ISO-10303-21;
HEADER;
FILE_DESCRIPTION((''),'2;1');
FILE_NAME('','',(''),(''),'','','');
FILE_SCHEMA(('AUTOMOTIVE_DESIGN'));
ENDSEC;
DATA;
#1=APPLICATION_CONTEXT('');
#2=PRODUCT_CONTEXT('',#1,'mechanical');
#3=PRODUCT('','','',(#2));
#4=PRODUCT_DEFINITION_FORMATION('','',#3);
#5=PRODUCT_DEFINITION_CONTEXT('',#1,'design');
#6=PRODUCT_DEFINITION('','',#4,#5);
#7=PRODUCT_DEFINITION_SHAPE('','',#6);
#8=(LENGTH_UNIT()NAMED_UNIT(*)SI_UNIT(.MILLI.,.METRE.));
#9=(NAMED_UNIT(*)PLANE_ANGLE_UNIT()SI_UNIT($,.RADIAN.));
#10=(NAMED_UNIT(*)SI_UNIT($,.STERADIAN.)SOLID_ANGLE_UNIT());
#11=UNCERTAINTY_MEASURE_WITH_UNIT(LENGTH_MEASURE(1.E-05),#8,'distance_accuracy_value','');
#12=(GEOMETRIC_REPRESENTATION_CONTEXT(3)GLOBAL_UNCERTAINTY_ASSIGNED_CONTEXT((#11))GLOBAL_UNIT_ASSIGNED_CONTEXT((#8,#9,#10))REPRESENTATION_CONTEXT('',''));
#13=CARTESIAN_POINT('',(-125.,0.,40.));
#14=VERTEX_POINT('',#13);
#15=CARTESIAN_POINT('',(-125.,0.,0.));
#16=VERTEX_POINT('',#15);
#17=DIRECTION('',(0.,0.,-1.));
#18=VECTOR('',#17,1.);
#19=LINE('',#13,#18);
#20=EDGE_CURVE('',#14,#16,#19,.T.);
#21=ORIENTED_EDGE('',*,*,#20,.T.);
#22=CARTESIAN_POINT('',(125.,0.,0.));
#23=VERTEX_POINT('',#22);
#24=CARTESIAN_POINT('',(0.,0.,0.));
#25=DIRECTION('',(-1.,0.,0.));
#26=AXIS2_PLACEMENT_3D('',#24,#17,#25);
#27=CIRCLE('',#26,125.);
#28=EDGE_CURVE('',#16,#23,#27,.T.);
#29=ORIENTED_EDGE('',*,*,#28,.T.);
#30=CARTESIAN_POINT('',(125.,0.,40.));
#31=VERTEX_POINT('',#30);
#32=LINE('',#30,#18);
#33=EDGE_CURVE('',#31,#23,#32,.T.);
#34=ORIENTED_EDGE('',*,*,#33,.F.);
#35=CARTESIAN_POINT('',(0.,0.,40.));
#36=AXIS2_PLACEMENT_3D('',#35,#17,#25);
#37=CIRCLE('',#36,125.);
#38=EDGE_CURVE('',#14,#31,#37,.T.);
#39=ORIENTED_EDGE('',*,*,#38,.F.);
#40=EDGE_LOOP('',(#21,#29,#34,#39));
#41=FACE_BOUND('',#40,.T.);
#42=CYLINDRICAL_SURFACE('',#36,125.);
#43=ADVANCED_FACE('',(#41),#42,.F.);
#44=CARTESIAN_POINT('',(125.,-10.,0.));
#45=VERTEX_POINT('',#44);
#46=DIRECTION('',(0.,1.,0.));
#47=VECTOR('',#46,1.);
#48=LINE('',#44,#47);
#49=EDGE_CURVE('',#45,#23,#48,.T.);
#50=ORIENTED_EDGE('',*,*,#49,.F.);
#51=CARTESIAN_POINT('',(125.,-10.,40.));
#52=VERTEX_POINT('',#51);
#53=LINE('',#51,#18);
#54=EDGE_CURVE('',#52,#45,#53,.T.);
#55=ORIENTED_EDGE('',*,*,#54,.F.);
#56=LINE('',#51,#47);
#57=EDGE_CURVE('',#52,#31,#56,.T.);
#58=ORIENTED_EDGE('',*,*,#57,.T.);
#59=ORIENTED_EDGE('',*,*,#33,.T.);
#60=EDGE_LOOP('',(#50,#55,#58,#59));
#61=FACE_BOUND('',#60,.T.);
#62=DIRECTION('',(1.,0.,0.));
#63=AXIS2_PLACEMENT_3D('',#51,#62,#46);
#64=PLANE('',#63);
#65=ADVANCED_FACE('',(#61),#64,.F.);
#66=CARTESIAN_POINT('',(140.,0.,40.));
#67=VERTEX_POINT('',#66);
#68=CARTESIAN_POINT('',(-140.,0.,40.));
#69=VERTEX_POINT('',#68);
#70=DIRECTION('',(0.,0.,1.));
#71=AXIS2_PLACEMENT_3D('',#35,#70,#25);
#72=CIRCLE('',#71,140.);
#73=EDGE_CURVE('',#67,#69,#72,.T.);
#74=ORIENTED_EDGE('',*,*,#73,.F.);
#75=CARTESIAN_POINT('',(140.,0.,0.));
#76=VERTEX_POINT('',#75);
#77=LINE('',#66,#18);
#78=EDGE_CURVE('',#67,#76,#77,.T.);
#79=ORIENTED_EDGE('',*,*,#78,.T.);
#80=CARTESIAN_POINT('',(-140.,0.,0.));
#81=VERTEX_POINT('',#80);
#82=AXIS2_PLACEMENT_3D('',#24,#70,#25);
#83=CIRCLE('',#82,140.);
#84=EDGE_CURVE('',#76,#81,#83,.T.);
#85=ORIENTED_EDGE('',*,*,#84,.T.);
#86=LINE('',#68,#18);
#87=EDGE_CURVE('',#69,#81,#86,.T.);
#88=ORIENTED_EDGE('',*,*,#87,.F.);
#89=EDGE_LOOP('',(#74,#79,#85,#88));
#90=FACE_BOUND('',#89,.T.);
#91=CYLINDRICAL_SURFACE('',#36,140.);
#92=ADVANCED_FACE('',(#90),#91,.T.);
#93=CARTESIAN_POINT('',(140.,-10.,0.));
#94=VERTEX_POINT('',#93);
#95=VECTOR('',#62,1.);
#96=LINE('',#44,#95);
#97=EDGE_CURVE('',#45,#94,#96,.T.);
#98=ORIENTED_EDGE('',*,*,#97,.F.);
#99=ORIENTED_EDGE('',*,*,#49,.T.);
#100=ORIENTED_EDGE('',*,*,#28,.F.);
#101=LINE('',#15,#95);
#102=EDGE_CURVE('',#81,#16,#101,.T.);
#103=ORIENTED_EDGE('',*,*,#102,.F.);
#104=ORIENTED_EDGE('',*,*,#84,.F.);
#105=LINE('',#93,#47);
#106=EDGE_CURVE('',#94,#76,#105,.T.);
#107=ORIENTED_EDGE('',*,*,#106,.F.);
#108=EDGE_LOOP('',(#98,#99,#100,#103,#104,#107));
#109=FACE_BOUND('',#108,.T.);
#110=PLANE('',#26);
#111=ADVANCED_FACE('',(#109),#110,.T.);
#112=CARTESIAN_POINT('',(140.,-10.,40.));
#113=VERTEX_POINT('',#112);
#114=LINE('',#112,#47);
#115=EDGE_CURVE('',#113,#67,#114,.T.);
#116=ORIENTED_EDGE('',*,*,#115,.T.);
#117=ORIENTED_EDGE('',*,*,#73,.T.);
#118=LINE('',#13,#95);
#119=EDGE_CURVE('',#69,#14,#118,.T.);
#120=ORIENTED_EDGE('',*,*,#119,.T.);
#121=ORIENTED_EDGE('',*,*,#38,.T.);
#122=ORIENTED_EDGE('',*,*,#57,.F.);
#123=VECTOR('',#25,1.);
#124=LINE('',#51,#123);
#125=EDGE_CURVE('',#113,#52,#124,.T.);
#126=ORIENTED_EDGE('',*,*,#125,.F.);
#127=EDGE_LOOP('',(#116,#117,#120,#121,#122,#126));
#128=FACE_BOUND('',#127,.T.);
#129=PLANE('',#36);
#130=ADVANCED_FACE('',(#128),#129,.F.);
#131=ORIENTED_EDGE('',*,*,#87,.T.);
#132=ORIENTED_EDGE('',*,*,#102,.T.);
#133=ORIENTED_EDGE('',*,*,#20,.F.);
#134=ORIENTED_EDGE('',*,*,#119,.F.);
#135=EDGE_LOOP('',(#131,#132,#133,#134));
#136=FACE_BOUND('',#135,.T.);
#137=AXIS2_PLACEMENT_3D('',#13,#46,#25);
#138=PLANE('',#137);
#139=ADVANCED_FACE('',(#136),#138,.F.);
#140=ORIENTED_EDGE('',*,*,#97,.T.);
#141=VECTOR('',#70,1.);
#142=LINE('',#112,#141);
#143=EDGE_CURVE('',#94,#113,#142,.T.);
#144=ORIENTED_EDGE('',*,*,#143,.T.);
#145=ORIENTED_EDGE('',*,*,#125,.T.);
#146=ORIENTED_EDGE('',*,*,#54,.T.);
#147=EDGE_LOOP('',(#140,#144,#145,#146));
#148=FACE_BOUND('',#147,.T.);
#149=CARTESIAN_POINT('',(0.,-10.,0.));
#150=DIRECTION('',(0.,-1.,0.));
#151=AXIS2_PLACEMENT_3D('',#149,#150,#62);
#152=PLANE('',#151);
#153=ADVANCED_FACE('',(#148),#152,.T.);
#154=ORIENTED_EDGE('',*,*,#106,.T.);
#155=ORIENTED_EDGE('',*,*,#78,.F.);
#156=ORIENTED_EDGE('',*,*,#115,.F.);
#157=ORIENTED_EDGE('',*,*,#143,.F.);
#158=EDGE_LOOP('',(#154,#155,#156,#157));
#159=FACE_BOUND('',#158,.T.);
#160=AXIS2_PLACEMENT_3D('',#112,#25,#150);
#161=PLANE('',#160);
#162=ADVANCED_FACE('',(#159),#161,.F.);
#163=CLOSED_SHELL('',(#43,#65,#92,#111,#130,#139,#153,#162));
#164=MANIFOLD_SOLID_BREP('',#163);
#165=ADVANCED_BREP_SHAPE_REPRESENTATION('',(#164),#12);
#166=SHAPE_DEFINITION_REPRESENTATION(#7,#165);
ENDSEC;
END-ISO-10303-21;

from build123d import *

# Parameters (mm, degrees)
EXTRUDE_1_DEPTH = 40
SKETCH_3_W      = 15
SKETCH_3_H      = 40
EXTRUDE_3_DEPTH = 10


with BuildPart() as part:
    # 草图1 → 凸台-拉伸1 (new body)
    with BuildSketch(Plane.XY):
        with BuildLine():
            Line((-125, 0), (-140, 0))
            ThreePointArc((-140, 0), (0, 140), (140, 0))
            Line((140, 0), (125, 0))
            ThreePointArc((125, 0), (0, 125), (-125, 0))
        make_face()
    extrude(amount=EXTRUDE_1_DEPTH)

    # 草图3 → 凸台-拉伸3 (add)
    with BuildSketch(Plane.XZ):
        with Locations((132.5, 20)):
            Rectangle(SKETCH_3_W, SKETCH_3_H)
    extrude(amount=EXTRUDE_3_DEPTH)


solid = part.part
